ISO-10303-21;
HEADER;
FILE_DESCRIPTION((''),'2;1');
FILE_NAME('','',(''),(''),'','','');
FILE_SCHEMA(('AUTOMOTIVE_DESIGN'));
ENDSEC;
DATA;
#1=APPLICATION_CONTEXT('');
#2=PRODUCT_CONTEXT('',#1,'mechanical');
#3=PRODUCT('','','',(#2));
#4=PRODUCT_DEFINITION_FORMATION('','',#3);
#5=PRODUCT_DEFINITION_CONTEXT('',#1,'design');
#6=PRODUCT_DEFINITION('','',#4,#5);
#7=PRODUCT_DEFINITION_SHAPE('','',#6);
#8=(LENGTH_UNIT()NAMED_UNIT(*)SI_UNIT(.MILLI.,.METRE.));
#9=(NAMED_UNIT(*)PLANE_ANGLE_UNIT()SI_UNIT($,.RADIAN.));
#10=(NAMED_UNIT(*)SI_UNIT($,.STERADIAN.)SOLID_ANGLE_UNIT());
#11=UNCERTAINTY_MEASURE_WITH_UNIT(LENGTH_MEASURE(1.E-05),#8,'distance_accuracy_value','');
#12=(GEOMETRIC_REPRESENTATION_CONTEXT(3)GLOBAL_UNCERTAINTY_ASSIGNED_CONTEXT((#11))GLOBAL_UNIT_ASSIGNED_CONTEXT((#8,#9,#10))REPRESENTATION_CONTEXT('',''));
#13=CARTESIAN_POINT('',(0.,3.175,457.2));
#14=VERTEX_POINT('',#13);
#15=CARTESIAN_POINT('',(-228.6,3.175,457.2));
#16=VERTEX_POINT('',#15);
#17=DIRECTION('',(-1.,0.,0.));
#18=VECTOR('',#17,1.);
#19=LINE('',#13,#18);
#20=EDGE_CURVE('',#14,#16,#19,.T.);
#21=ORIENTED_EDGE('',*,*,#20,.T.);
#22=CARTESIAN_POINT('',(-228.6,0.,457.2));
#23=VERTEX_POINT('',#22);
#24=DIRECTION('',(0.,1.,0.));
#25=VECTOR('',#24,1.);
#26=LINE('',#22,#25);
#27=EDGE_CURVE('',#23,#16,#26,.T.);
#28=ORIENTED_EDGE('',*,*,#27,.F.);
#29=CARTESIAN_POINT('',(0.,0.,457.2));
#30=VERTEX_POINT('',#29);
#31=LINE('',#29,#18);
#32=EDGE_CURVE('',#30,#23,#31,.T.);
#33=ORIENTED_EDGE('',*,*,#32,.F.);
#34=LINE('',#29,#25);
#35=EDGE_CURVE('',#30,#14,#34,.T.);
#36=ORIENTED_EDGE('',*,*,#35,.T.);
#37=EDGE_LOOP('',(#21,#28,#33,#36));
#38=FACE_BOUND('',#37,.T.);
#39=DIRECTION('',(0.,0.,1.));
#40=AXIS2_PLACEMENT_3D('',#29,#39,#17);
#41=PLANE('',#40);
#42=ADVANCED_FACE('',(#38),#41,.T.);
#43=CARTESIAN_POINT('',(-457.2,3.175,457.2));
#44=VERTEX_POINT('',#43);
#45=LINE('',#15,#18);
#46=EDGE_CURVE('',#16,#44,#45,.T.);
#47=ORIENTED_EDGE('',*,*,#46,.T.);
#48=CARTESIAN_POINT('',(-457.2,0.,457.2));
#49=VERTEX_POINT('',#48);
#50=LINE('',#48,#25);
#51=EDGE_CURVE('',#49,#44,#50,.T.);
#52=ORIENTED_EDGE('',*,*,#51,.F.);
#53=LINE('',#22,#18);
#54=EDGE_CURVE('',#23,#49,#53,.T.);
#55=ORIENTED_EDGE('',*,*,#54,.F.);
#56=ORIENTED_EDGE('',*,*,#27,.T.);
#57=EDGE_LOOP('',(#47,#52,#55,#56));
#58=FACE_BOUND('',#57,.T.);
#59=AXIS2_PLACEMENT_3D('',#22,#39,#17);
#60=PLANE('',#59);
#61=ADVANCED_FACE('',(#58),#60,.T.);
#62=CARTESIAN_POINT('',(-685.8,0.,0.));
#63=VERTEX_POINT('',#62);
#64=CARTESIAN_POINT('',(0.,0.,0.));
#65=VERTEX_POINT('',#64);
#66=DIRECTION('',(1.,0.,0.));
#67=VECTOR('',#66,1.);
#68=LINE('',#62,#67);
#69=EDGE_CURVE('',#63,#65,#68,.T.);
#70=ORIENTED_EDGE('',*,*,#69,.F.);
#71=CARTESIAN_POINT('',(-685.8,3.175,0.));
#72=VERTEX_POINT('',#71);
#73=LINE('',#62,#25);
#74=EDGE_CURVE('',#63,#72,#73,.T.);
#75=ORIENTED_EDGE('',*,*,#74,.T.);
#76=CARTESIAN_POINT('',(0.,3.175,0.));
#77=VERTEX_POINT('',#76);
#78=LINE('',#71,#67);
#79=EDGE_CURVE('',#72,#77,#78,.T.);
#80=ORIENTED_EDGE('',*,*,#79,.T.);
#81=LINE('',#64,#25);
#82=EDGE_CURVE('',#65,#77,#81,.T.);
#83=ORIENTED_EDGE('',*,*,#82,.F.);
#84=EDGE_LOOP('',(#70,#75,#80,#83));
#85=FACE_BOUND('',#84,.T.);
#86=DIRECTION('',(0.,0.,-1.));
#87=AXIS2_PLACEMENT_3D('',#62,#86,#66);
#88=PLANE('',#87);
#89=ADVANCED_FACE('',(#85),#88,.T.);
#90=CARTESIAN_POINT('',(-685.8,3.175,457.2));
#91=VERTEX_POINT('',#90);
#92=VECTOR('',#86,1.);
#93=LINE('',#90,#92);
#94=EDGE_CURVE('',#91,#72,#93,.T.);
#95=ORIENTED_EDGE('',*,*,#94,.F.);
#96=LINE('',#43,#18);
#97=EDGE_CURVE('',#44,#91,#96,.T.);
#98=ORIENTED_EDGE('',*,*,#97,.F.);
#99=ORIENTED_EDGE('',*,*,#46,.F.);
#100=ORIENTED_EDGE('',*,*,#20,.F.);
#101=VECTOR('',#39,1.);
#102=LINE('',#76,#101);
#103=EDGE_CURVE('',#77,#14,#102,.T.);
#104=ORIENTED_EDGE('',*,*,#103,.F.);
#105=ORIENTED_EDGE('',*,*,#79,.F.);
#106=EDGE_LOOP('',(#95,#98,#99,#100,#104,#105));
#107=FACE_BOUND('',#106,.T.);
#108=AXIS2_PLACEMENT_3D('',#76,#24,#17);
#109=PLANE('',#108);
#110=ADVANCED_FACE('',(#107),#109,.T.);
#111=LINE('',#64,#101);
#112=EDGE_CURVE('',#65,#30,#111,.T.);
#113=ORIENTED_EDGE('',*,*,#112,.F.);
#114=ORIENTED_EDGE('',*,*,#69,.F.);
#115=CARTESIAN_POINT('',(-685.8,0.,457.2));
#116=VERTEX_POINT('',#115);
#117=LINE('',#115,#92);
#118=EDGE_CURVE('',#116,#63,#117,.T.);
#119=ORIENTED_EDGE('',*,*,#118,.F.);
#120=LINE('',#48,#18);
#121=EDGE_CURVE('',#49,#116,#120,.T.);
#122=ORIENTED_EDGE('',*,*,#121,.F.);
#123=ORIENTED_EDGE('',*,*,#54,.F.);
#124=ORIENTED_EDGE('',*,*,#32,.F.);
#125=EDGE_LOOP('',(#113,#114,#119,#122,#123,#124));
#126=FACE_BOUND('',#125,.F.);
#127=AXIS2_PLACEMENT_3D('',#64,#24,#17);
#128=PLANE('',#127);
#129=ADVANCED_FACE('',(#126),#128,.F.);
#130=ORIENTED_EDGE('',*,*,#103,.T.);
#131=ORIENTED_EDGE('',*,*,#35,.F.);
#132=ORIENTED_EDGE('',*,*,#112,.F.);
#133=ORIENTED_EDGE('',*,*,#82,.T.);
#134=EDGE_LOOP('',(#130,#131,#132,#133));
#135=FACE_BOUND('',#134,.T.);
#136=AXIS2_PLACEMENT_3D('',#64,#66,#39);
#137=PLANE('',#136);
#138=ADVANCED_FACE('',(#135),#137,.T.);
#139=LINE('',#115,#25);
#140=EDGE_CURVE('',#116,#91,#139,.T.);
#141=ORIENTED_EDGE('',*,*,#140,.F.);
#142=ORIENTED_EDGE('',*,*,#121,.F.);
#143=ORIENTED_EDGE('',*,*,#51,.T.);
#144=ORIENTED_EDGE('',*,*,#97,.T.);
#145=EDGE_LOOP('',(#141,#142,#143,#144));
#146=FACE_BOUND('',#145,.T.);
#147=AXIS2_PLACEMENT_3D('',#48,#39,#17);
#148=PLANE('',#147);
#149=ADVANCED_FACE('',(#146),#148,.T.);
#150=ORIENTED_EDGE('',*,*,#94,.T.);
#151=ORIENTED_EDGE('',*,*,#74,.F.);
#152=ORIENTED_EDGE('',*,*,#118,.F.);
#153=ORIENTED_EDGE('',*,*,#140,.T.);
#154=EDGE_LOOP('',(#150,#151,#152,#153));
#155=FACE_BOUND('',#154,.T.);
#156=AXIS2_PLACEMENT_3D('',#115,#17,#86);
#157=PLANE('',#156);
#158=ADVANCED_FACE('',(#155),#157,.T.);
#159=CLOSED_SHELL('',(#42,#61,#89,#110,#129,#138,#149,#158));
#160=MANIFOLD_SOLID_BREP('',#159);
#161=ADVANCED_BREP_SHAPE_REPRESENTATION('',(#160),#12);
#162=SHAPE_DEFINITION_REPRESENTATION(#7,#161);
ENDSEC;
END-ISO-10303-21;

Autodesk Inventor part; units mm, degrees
ref_plane "YZ Plane" through (0, 0, 0) normal (1, 0, 0) x (0, 1, 0)
ref_plane "XZ Plane" through (0, 0, 0) normal (0, 1, 0) x (-1, 0, 0)
ref_plane "XY Plane" through (0, 0, 0) normal (0, 0, 1) x (1, 0, 0)
sketch "Sketch2" plane through (0, 0, 0) normal (0, 1, 0) x (-1, 0, 0)
  line L0 (0, 0) -> (0, 457.2)
  line L1 (0, 457.2) -> (228.6, 457.2)
  line L2 (228.6, 457.2) -> (228.6, 457.2)
  line L3 (228.6, 457.2) -> (457.2, 457.2)
  line L4 (457.2, 457.2) -> (457.2, 457.2)
  line L5 (457.2, 457.2) -> (685.8, 457.2)
  line L6 (685.8, 457.2) -> (685.8, 0)
  line L7 (685.8, 0) -> (0, 0)
  dimension "d6" = 685.8
  dimension "d7" = 0
  dimension "d8" = 457.2
  dimension "d12" = 228.6
extrude "Extrusion2" add sketch "Sketch2" along normal blind 3.175
properties part number "BellyPanConcept" material "ABS Plastic"
